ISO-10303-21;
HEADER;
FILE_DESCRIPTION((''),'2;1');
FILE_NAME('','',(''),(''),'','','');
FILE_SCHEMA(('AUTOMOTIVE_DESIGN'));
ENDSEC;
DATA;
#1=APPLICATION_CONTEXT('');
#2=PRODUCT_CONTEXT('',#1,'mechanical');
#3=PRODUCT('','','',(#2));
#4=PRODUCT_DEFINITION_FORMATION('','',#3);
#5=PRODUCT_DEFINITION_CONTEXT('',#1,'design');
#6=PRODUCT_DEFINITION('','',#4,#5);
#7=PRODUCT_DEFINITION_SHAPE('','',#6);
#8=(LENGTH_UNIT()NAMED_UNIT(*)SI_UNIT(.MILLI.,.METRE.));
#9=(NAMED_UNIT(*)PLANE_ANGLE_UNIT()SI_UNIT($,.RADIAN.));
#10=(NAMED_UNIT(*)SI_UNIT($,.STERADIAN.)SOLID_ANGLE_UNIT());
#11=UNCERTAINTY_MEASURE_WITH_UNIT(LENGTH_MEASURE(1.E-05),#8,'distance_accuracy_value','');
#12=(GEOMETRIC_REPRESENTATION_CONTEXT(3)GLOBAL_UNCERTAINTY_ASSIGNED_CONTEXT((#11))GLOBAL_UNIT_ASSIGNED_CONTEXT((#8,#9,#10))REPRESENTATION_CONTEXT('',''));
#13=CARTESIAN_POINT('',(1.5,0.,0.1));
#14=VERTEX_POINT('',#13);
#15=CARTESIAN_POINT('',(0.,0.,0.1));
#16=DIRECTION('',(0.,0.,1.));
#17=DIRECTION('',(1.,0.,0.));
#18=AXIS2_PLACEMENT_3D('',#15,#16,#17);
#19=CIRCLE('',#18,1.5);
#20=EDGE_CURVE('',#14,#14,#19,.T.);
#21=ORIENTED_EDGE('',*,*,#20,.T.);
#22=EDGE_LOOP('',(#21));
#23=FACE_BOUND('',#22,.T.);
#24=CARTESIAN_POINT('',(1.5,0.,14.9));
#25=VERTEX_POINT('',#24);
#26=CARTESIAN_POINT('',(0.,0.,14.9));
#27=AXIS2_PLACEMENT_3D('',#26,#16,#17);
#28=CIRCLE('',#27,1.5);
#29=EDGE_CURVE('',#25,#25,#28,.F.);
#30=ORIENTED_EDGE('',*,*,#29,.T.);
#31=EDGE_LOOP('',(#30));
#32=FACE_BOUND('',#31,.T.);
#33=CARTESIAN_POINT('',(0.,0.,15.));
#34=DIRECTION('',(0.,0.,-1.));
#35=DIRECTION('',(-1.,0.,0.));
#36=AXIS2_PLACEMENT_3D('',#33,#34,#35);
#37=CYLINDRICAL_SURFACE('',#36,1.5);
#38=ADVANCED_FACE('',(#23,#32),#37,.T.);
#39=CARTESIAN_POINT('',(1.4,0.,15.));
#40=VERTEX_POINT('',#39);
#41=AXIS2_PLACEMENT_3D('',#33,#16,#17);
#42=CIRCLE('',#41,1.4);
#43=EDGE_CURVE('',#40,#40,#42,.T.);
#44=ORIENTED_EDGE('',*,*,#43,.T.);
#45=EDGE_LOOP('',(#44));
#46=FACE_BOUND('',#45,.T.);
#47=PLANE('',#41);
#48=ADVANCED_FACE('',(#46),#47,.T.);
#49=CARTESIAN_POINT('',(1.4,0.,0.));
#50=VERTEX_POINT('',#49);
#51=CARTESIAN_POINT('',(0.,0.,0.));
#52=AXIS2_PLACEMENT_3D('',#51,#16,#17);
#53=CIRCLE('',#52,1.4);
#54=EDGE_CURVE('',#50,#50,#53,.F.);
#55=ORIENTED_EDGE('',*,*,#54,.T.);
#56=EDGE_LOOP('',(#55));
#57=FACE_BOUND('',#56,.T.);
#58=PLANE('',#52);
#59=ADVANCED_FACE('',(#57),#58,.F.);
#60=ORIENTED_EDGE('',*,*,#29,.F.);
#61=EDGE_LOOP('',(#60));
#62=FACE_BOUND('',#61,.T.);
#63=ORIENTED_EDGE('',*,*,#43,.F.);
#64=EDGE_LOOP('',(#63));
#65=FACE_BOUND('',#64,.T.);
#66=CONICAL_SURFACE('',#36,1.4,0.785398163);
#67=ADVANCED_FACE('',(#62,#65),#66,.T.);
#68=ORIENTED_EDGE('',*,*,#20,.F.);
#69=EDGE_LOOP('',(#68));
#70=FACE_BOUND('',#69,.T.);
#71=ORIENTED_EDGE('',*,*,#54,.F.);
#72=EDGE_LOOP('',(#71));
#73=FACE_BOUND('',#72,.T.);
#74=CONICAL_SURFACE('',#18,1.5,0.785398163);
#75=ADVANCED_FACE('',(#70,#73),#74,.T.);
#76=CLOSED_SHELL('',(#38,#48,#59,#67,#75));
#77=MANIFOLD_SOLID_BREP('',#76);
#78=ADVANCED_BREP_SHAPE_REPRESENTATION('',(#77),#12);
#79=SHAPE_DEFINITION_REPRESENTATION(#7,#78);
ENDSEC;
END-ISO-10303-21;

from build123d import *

# Parameters (mm, degrees)
ESQUISSE1_R        = 1.5
BOSS_EXTRU_1_DEPTH = 15
CHANFREIN1_SIZE    = 0.1


with BuildPart() as part:
    # Esquisse1 → Boss.-Extru.1 (new body)
    with BuildSketch(Plane.XY):
        Circle(ESQUISSE1_R)
    extrude(amount=BOSS_EXTRU_1_DEPTH)

    # Chanfrein1
    chanfrein1_edges = [part.edges().sort_by_distance(p)[0] for p in [
        (-1.5, 0, 0),
        (-1.5, 0, 15),
    ]]
    chamfer(chanfrein1_edges, length=CHANFREIN1_SIZE)


solid = part.part
